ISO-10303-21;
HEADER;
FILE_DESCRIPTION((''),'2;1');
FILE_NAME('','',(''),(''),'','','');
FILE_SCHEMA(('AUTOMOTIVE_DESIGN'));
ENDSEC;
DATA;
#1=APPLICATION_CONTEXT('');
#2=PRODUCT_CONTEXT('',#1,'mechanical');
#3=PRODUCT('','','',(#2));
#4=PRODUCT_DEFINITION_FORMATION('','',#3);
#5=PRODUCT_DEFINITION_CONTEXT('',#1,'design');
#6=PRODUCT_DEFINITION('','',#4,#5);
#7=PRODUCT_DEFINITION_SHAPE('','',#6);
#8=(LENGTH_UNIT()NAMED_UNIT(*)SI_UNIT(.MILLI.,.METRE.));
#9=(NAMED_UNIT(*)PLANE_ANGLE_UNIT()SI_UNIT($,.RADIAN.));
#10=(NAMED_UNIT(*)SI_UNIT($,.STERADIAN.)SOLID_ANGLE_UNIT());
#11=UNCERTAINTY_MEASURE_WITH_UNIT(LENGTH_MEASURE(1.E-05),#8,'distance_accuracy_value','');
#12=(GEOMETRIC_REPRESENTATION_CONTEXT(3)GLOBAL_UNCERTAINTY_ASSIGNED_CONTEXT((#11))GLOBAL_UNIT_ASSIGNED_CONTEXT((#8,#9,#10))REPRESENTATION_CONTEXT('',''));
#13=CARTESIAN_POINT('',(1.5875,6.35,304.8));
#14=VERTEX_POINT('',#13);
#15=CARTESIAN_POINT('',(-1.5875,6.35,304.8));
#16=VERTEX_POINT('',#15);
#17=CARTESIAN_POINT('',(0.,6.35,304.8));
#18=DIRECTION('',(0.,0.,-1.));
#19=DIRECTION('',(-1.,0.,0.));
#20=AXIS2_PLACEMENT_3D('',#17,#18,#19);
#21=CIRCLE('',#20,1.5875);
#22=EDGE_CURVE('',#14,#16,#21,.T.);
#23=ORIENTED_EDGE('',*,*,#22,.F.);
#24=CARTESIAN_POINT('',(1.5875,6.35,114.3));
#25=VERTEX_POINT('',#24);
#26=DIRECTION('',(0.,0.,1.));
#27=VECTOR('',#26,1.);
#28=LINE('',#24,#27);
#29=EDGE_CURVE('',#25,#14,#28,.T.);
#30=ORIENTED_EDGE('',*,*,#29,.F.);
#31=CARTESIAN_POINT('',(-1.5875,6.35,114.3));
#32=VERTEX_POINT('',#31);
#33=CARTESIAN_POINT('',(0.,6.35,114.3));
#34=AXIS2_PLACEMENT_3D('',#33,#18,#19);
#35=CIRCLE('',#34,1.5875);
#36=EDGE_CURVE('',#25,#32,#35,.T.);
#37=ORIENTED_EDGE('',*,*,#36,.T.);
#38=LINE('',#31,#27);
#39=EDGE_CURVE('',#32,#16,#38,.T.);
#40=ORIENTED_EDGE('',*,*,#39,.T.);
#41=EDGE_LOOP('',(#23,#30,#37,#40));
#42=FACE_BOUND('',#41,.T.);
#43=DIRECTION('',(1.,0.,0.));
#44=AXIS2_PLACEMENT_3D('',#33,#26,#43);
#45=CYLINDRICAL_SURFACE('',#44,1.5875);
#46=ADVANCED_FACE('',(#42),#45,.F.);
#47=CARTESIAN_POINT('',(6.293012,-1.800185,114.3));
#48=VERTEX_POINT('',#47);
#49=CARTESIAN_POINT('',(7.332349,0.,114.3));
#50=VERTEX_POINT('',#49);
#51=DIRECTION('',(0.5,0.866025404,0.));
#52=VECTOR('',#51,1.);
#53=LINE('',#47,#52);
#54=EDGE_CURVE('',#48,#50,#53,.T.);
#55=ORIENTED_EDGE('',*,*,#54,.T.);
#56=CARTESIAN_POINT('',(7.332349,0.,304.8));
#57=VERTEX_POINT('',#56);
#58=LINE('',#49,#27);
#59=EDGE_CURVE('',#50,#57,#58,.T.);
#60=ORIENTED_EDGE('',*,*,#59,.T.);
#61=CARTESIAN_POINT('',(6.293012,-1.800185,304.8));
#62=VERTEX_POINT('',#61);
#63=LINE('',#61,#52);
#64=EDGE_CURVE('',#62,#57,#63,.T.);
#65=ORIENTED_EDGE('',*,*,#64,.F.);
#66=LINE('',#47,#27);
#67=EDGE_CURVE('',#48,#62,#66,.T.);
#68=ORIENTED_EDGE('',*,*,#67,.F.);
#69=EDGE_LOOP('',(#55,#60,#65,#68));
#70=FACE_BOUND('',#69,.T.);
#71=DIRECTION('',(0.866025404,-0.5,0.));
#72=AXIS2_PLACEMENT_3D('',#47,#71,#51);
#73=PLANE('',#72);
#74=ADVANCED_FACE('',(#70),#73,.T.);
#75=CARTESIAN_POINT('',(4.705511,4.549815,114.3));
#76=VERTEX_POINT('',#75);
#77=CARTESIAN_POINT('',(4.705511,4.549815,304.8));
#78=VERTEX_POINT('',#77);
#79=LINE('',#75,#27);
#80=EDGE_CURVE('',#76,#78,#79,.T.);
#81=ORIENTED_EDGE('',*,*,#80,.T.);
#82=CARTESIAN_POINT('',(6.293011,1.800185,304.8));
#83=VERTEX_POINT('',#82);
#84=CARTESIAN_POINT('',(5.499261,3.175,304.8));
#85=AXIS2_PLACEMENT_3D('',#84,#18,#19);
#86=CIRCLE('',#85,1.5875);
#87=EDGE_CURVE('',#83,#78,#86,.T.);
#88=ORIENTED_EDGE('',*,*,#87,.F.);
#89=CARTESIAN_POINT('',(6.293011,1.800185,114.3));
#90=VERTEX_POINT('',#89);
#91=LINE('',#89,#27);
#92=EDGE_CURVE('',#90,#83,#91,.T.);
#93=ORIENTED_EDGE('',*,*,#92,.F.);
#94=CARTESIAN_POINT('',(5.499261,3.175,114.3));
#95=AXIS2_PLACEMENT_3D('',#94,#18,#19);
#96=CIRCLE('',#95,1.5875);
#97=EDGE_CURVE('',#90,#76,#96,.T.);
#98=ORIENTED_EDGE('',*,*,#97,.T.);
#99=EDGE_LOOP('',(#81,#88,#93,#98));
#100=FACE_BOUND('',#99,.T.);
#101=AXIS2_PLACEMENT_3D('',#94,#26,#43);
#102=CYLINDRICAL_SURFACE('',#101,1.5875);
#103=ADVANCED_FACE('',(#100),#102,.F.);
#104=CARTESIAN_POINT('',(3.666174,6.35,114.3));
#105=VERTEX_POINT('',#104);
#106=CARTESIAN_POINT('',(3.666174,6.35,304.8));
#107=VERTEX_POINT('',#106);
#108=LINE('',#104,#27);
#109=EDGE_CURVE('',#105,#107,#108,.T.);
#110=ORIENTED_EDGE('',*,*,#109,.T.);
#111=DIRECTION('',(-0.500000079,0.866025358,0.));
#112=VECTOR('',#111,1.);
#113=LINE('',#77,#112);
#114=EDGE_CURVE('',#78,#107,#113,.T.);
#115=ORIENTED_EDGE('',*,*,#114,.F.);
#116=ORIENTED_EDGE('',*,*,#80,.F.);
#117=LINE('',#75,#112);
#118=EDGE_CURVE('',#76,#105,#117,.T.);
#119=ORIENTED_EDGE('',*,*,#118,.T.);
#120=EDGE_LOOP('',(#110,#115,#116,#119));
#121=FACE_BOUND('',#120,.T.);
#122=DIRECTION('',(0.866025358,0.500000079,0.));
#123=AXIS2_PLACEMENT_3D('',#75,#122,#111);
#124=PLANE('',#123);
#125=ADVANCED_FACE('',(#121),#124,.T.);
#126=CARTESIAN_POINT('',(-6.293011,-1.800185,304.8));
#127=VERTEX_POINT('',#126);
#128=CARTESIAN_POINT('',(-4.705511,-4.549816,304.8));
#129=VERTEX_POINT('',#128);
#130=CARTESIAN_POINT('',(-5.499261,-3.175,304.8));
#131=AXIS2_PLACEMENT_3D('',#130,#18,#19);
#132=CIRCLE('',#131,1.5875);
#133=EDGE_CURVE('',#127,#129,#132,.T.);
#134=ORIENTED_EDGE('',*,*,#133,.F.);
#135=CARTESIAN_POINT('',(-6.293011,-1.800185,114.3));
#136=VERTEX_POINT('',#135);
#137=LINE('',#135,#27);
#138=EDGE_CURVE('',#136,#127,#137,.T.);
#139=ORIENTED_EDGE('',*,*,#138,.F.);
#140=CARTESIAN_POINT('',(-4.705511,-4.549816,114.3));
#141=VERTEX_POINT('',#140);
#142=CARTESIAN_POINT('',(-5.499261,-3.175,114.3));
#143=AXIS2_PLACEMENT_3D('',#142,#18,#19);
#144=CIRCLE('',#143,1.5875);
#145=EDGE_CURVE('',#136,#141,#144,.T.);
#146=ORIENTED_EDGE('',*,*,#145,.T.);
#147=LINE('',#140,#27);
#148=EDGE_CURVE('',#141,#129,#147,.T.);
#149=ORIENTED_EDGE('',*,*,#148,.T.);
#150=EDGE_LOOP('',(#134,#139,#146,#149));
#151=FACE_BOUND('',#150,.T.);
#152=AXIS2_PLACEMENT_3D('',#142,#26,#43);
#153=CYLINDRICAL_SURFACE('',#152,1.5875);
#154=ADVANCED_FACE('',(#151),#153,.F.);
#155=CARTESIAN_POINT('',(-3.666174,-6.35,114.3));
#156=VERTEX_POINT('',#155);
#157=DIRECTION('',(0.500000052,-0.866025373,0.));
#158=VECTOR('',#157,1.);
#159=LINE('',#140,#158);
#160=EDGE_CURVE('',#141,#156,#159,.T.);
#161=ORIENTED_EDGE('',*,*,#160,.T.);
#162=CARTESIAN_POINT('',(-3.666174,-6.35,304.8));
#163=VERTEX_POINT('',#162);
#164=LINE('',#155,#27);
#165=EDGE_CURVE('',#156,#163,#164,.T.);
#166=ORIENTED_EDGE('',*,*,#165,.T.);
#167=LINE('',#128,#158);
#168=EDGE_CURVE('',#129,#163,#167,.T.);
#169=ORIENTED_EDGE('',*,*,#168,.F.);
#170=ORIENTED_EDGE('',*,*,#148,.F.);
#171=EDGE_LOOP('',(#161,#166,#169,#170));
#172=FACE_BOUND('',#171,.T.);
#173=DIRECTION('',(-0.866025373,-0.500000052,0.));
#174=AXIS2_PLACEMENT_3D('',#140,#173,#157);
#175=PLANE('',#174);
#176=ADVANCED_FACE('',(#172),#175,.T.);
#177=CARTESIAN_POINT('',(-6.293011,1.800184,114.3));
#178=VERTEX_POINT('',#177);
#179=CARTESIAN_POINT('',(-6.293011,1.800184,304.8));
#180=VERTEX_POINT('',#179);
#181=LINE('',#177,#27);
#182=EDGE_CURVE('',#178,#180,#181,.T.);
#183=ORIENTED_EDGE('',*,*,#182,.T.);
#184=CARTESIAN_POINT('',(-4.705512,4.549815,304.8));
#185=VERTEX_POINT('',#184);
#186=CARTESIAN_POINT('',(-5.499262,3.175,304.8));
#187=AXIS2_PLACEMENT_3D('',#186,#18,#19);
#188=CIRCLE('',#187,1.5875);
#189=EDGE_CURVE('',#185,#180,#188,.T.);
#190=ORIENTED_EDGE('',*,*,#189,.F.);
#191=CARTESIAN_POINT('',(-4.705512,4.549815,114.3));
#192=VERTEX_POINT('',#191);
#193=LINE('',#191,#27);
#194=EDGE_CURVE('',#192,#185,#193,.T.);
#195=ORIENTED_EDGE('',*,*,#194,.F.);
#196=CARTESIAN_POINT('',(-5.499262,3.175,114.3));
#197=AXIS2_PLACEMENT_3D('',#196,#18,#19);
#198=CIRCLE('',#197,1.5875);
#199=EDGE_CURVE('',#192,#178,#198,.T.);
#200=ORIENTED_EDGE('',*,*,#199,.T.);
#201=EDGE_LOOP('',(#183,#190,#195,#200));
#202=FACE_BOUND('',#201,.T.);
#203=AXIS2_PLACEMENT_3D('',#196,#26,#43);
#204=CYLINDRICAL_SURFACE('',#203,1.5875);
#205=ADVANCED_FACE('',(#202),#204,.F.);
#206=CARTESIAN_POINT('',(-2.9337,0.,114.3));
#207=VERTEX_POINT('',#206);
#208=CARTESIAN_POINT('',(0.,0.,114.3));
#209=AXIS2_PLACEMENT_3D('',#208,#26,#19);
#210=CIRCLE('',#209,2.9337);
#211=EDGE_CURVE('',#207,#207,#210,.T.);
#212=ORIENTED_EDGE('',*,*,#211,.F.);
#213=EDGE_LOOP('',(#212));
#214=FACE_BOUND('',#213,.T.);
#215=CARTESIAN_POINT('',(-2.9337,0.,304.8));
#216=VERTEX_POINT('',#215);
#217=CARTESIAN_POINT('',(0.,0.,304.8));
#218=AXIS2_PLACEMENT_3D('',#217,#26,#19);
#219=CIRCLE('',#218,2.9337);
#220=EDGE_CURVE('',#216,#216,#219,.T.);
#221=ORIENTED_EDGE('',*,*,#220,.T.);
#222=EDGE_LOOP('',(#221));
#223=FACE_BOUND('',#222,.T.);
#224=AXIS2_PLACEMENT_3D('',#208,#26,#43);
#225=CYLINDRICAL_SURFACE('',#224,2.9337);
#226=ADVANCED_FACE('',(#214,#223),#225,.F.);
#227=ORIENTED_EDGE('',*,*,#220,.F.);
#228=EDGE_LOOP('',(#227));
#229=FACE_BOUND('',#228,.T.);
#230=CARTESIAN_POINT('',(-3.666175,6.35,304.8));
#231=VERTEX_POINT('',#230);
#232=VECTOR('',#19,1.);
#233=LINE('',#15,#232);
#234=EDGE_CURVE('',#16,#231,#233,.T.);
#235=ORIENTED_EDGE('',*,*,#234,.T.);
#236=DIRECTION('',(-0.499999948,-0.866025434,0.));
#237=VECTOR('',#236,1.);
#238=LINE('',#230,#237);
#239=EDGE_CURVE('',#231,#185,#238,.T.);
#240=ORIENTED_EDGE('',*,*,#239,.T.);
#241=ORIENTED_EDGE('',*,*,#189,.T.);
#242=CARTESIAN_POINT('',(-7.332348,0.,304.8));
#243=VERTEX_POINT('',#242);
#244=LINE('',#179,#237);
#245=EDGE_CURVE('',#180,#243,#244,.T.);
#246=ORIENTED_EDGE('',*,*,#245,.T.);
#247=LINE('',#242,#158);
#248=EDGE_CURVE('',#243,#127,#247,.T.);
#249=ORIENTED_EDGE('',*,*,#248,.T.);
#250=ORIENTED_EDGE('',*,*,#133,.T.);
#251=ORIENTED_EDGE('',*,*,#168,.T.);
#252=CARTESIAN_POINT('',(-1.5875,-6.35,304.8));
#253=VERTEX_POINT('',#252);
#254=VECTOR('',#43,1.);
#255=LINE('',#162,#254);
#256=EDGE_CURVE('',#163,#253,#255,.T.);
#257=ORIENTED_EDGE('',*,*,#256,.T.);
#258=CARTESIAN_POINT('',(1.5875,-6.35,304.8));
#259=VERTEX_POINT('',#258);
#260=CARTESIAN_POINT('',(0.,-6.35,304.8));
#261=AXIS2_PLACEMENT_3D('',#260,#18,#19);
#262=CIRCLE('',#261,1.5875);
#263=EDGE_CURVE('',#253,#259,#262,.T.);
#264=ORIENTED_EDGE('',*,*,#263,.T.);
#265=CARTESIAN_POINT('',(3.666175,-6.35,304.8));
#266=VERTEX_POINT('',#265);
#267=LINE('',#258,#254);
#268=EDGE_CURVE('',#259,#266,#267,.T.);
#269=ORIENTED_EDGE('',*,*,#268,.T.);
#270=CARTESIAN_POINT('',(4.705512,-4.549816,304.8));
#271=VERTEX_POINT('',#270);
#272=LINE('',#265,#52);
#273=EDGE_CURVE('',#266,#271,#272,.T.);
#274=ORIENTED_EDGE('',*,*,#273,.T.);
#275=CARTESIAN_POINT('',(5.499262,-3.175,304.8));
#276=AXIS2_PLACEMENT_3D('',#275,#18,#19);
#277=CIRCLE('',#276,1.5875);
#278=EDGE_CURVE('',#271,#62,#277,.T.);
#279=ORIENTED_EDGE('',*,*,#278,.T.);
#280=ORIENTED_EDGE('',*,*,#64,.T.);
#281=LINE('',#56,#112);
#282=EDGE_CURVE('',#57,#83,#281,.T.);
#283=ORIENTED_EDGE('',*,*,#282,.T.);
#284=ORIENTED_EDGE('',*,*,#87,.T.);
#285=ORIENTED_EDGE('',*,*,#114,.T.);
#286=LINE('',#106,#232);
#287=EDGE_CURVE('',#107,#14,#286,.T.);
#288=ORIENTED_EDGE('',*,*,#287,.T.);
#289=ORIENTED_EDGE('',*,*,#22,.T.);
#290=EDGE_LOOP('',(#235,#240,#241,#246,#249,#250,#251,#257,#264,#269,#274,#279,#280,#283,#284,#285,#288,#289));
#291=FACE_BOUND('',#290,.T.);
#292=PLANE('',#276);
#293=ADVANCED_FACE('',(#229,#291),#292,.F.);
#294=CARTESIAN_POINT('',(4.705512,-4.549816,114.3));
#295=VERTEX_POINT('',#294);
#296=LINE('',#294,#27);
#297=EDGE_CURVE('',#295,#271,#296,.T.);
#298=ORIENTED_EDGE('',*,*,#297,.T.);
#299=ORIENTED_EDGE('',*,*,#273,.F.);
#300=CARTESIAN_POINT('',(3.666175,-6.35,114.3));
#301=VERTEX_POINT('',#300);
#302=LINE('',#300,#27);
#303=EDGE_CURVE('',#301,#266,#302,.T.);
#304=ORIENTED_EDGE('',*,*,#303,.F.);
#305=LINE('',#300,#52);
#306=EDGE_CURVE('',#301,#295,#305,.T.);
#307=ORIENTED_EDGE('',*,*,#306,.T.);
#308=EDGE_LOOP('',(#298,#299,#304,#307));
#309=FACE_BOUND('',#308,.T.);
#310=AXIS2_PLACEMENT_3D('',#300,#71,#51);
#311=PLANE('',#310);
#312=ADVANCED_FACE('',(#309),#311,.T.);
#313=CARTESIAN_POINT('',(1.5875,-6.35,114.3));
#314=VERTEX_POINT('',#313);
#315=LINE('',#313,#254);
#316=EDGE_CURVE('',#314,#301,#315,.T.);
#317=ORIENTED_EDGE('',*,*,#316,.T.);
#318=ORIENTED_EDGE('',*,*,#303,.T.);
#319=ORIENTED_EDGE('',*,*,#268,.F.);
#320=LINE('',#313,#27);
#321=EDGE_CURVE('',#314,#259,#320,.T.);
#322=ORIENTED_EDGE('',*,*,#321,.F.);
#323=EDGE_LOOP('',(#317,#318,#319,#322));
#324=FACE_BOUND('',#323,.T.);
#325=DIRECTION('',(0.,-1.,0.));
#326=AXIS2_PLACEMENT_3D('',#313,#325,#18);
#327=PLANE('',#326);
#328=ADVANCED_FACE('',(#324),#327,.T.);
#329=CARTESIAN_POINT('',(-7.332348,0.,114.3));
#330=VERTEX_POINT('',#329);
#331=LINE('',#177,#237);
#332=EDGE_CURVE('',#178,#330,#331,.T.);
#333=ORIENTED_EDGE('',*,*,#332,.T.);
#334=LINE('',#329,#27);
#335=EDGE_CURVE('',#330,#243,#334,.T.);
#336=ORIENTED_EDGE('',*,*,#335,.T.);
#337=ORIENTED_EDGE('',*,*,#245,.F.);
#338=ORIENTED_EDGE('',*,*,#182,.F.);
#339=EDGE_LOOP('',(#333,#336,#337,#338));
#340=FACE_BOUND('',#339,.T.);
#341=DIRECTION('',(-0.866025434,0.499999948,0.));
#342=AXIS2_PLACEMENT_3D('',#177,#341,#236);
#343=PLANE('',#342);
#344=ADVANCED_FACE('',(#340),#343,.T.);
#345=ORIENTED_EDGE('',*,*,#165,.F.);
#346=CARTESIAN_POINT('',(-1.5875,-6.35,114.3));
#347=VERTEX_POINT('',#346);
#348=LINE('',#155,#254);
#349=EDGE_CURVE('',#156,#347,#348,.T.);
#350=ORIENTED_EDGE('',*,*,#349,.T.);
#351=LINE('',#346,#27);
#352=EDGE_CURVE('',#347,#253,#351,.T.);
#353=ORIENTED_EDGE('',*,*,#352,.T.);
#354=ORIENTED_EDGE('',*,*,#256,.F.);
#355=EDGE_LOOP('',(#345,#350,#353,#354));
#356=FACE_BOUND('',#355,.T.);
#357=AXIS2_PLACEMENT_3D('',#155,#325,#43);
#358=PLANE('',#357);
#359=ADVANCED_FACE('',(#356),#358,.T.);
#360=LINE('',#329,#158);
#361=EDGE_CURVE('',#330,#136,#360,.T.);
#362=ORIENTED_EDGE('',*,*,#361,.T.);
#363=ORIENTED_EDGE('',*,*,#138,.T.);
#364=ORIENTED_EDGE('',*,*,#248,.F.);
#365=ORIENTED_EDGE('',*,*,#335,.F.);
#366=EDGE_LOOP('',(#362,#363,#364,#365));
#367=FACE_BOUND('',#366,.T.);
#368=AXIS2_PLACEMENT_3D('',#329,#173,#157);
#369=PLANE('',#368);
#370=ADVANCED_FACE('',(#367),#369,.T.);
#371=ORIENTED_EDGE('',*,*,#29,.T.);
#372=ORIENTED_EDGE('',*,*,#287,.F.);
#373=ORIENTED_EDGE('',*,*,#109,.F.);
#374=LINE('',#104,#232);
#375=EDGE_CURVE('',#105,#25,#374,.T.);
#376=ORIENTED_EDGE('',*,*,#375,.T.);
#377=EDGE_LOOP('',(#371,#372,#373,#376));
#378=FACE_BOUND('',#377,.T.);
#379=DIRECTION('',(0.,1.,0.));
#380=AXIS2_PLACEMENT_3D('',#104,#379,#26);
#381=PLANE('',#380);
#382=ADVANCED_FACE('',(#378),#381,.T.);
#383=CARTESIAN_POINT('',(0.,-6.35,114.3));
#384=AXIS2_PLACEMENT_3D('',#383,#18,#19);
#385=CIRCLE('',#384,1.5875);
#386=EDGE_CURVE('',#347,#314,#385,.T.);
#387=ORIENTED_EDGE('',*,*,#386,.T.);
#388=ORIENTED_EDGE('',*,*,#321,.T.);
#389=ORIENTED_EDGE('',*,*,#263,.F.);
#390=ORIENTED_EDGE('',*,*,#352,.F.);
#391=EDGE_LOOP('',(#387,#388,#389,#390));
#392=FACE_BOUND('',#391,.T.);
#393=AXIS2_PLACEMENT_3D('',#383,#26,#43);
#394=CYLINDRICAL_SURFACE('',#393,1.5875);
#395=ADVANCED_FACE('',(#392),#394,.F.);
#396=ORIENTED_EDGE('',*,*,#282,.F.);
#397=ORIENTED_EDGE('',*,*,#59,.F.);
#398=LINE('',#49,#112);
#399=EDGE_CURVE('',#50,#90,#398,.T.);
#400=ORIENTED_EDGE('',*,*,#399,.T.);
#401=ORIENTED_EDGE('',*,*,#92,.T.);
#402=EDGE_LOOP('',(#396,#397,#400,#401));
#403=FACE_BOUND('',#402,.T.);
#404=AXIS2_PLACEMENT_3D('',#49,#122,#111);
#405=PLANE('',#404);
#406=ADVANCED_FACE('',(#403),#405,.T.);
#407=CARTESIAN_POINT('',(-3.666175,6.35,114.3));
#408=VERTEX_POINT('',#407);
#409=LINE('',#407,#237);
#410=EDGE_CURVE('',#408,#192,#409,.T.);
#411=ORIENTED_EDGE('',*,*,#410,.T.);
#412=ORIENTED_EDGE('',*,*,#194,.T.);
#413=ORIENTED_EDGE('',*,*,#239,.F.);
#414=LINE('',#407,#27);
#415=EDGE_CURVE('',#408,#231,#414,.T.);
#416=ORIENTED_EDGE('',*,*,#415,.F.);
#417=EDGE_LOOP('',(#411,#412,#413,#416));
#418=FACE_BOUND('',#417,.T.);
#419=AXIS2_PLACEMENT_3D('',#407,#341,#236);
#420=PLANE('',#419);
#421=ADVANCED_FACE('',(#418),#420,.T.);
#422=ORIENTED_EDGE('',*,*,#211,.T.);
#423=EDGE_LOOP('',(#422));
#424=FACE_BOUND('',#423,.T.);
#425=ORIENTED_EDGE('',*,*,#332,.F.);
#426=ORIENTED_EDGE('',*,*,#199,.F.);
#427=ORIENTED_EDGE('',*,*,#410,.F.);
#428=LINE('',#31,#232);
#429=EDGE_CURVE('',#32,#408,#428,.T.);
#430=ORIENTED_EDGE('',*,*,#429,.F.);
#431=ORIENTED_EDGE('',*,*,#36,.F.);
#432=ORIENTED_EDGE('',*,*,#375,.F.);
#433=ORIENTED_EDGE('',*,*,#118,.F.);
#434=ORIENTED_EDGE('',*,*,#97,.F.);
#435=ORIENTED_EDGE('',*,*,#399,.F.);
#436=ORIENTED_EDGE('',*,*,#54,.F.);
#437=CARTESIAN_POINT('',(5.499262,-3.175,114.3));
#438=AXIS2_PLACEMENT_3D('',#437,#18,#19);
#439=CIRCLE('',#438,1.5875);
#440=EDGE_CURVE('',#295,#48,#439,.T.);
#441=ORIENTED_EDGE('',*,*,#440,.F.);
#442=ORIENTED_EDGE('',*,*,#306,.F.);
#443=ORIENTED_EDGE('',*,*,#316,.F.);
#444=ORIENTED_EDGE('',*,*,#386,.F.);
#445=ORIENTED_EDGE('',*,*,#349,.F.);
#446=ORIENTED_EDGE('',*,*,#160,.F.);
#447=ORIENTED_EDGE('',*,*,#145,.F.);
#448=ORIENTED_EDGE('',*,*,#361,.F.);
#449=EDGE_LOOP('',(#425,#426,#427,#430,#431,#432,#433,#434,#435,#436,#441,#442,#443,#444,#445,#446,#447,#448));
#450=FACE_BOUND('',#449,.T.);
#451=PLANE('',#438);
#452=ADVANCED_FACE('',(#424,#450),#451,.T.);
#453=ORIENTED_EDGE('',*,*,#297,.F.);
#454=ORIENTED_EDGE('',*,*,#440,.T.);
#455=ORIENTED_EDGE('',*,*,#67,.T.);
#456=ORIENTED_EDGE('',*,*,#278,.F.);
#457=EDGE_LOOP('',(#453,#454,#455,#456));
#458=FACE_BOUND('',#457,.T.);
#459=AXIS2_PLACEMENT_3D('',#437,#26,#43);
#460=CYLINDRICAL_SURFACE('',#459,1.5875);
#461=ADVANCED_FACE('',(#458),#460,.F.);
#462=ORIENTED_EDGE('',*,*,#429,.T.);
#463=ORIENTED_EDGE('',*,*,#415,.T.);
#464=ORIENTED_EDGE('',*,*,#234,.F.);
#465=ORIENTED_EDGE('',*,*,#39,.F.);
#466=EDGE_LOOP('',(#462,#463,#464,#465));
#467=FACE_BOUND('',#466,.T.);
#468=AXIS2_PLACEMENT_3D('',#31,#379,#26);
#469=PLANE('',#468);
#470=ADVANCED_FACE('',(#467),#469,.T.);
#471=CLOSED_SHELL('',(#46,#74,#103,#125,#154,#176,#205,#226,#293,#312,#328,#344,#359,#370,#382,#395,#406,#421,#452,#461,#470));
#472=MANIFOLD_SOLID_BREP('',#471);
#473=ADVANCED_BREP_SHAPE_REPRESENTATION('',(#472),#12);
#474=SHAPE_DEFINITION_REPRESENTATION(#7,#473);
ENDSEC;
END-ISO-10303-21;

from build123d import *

# Parameters (mm, degrees)
SKETCH1_R           = 2.9337
BOSS_EXTRUDE1_DEPTH = 190.5


with BuildPart() as part:
    # Sketch1 → Boss-Extrude1 (new body)
    with BuildSketch(Plane.XY.offset(304.8)):
        with BuildLine():
            Line((6.293011699, -1.800184894), (7.332348803, -2.22e-07))
            Line((7.332348803, -2.22e-07), (6.293011439, 1.800184522))
            ThreePointArc((6.293011439, 1.800184522), (4.124446058, 2.381249653), (4.705511189, 4.549815034))
            Line((4.705511189, 4.549815034), (3.666173825, 6.349999778))
            Line((3.666173825, 6.349999778), (1.587499615, 6.349999778))
            ThreePointArc((1.587499615, 6.349999778), (-3.85e-07, 4.762499778), (-1.587500385, 6.349999778))
            Line((-1.587500385, 6.349999778), (-3.666174594, 6.349999778))
            Line((-3.666174594, 6.349999778), (-4.70551159, 4.549815043))
            ThreePointArc((-4.70551159, 4.549815043), (-4.12444613, 2.38124975), (-6.293011423, 1.80018429))
            Line((-6.293011423, 1.80018429), (-7.332348419, -4.44e-07))
            Line((-7.332348419, -4.44e-07), (-6.293011205, -1.800185053))
            ThreePointArc((-6.293011205, -1.800185053), (-4.124445841, -2.38125025), (-4.705511038, -4.549815614))
            Line((-4.705511038, -4.549815614), (-3.666173825, -6.350000222))
            Line((-3.666173825, -6.350000222), (-1.587499615, -6.350000222))
            ThreePointArc((-1.587499615, -6.350000222), (3.85e-07, -4.762500222), (1.587500385, -6.350000222))
            Line((1.587500385, -6.350000222), (3.666174594, -6.350000222))
            Line((3.666174594, -6.350000222), (4.705511699, -4.549815551))
            ThreePointArc((4.705511699, -4.549815551), (4.12444637, -2.381250222), (6.293011699, -1.800184894))
        make_face()
        with Locations(Location((0, 0, 0), (0, 0, 180))):
            Circle(SKETCH1_R, mode=Mode.SUBTRACT)
    extrude(amount=-BOSS_EXTRUDE1_DEPTH)


solid = part.part
